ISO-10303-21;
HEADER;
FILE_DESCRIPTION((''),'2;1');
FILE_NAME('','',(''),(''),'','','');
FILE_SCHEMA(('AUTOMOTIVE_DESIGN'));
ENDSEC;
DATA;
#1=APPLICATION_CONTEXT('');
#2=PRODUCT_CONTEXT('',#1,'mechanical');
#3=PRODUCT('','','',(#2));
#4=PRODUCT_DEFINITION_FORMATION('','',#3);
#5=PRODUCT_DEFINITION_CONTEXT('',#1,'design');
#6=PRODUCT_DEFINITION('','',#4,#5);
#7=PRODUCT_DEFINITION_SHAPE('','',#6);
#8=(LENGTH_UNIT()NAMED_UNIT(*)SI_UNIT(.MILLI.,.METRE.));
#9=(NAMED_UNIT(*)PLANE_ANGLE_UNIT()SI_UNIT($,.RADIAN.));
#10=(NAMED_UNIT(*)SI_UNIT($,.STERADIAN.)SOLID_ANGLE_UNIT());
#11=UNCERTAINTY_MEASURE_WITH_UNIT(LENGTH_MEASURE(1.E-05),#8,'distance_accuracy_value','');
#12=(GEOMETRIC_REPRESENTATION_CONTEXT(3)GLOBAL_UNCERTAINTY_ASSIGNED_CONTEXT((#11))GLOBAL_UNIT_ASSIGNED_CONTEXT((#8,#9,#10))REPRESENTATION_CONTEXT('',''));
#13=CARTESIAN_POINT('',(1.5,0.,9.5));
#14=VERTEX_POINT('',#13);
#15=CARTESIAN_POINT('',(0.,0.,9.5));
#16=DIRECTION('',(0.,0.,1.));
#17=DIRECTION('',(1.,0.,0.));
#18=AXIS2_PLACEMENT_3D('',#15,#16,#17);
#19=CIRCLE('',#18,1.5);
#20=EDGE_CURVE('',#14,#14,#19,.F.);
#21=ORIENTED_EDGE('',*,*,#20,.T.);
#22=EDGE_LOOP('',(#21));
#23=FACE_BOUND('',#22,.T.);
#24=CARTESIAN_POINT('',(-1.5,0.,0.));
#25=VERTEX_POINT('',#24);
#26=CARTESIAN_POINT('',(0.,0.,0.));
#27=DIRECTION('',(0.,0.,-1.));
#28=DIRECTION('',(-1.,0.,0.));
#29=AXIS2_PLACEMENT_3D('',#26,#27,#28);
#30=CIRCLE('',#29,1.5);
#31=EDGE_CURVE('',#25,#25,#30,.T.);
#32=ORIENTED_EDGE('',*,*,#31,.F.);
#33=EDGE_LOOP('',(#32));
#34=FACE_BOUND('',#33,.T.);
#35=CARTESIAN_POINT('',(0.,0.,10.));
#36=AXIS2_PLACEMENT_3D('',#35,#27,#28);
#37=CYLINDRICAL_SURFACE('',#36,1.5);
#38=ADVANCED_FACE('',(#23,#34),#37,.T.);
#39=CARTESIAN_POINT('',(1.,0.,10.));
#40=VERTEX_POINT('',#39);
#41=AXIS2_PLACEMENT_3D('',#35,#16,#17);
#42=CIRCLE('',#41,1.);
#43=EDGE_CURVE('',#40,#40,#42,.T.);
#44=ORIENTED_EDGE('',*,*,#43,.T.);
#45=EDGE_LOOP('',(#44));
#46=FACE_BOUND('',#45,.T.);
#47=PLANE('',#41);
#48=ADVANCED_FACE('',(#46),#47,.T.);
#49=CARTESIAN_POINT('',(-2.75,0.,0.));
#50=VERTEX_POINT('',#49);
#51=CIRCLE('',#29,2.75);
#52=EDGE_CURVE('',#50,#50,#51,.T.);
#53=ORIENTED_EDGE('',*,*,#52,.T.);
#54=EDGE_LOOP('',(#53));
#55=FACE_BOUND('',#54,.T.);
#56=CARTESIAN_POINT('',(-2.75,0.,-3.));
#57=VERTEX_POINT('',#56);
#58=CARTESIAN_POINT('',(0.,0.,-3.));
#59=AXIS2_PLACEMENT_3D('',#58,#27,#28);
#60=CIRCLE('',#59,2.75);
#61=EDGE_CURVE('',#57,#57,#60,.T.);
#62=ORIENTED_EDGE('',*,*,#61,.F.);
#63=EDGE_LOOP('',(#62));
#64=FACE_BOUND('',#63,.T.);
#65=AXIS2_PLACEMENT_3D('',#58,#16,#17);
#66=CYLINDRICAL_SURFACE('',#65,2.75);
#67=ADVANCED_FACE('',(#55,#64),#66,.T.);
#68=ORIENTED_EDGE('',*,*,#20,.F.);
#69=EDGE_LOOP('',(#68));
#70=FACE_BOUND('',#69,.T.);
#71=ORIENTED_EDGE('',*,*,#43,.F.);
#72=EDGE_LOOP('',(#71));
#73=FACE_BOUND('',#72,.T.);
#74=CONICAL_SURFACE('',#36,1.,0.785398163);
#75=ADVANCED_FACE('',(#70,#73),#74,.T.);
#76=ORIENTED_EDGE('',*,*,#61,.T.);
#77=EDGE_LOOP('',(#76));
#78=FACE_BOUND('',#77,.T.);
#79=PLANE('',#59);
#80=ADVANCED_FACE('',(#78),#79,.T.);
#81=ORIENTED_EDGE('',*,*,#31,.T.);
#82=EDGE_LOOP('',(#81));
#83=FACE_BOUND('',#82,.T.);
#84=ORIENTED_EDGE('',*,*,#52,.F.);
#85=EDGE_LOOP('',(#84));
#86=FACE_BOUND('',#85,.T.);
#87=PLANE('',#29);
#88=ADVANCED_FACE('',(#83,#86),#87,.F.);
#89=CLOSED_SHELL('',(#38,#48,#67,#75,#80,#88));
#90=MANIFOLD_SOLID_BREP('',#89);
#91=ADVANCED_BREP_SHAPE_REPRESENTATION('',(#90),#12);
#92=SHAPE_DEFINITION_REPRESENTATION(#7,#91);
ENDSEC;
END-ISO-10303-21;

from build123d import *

# Parameters (mm, degrees)
ESQUISSE2_R      = 1.5
EXTRUSION1_DEPTH = 10
ESQUISSE3_R      = 2.75
EXTRUSION2_DEPTH = 3
CHANFREIN1_SIZE  = 0.5


with BuildPart() as part:
    # Esquisse2 → Extrusion1 (new body)
    with BuildSketch(Plane.XY):
        Circle(ESQUISSE2_R)
    extrude(amount=EXTRUSION1_DEPTH)

    # Esquisse3 → Extrusion2 (add)
    with BuildSketch(Plane(origin=(0, 0, 0), x_dir=(-1, 0, 0), z_dir=(0, 0, -1))):
        Circle(ESQUISSE3_R)
    extrude(amount=EXTRUSION2_DEPTH)

    # Chanfrein1
    chanfrein1_edges = [part.edges().sort_by_distance(p)[0] for p in [
        (-1.5, 0, 10),
    ]]
    chamfer(chanfrein1_edges, length=CHANFREIN1_SIZE)


solid = part.part
